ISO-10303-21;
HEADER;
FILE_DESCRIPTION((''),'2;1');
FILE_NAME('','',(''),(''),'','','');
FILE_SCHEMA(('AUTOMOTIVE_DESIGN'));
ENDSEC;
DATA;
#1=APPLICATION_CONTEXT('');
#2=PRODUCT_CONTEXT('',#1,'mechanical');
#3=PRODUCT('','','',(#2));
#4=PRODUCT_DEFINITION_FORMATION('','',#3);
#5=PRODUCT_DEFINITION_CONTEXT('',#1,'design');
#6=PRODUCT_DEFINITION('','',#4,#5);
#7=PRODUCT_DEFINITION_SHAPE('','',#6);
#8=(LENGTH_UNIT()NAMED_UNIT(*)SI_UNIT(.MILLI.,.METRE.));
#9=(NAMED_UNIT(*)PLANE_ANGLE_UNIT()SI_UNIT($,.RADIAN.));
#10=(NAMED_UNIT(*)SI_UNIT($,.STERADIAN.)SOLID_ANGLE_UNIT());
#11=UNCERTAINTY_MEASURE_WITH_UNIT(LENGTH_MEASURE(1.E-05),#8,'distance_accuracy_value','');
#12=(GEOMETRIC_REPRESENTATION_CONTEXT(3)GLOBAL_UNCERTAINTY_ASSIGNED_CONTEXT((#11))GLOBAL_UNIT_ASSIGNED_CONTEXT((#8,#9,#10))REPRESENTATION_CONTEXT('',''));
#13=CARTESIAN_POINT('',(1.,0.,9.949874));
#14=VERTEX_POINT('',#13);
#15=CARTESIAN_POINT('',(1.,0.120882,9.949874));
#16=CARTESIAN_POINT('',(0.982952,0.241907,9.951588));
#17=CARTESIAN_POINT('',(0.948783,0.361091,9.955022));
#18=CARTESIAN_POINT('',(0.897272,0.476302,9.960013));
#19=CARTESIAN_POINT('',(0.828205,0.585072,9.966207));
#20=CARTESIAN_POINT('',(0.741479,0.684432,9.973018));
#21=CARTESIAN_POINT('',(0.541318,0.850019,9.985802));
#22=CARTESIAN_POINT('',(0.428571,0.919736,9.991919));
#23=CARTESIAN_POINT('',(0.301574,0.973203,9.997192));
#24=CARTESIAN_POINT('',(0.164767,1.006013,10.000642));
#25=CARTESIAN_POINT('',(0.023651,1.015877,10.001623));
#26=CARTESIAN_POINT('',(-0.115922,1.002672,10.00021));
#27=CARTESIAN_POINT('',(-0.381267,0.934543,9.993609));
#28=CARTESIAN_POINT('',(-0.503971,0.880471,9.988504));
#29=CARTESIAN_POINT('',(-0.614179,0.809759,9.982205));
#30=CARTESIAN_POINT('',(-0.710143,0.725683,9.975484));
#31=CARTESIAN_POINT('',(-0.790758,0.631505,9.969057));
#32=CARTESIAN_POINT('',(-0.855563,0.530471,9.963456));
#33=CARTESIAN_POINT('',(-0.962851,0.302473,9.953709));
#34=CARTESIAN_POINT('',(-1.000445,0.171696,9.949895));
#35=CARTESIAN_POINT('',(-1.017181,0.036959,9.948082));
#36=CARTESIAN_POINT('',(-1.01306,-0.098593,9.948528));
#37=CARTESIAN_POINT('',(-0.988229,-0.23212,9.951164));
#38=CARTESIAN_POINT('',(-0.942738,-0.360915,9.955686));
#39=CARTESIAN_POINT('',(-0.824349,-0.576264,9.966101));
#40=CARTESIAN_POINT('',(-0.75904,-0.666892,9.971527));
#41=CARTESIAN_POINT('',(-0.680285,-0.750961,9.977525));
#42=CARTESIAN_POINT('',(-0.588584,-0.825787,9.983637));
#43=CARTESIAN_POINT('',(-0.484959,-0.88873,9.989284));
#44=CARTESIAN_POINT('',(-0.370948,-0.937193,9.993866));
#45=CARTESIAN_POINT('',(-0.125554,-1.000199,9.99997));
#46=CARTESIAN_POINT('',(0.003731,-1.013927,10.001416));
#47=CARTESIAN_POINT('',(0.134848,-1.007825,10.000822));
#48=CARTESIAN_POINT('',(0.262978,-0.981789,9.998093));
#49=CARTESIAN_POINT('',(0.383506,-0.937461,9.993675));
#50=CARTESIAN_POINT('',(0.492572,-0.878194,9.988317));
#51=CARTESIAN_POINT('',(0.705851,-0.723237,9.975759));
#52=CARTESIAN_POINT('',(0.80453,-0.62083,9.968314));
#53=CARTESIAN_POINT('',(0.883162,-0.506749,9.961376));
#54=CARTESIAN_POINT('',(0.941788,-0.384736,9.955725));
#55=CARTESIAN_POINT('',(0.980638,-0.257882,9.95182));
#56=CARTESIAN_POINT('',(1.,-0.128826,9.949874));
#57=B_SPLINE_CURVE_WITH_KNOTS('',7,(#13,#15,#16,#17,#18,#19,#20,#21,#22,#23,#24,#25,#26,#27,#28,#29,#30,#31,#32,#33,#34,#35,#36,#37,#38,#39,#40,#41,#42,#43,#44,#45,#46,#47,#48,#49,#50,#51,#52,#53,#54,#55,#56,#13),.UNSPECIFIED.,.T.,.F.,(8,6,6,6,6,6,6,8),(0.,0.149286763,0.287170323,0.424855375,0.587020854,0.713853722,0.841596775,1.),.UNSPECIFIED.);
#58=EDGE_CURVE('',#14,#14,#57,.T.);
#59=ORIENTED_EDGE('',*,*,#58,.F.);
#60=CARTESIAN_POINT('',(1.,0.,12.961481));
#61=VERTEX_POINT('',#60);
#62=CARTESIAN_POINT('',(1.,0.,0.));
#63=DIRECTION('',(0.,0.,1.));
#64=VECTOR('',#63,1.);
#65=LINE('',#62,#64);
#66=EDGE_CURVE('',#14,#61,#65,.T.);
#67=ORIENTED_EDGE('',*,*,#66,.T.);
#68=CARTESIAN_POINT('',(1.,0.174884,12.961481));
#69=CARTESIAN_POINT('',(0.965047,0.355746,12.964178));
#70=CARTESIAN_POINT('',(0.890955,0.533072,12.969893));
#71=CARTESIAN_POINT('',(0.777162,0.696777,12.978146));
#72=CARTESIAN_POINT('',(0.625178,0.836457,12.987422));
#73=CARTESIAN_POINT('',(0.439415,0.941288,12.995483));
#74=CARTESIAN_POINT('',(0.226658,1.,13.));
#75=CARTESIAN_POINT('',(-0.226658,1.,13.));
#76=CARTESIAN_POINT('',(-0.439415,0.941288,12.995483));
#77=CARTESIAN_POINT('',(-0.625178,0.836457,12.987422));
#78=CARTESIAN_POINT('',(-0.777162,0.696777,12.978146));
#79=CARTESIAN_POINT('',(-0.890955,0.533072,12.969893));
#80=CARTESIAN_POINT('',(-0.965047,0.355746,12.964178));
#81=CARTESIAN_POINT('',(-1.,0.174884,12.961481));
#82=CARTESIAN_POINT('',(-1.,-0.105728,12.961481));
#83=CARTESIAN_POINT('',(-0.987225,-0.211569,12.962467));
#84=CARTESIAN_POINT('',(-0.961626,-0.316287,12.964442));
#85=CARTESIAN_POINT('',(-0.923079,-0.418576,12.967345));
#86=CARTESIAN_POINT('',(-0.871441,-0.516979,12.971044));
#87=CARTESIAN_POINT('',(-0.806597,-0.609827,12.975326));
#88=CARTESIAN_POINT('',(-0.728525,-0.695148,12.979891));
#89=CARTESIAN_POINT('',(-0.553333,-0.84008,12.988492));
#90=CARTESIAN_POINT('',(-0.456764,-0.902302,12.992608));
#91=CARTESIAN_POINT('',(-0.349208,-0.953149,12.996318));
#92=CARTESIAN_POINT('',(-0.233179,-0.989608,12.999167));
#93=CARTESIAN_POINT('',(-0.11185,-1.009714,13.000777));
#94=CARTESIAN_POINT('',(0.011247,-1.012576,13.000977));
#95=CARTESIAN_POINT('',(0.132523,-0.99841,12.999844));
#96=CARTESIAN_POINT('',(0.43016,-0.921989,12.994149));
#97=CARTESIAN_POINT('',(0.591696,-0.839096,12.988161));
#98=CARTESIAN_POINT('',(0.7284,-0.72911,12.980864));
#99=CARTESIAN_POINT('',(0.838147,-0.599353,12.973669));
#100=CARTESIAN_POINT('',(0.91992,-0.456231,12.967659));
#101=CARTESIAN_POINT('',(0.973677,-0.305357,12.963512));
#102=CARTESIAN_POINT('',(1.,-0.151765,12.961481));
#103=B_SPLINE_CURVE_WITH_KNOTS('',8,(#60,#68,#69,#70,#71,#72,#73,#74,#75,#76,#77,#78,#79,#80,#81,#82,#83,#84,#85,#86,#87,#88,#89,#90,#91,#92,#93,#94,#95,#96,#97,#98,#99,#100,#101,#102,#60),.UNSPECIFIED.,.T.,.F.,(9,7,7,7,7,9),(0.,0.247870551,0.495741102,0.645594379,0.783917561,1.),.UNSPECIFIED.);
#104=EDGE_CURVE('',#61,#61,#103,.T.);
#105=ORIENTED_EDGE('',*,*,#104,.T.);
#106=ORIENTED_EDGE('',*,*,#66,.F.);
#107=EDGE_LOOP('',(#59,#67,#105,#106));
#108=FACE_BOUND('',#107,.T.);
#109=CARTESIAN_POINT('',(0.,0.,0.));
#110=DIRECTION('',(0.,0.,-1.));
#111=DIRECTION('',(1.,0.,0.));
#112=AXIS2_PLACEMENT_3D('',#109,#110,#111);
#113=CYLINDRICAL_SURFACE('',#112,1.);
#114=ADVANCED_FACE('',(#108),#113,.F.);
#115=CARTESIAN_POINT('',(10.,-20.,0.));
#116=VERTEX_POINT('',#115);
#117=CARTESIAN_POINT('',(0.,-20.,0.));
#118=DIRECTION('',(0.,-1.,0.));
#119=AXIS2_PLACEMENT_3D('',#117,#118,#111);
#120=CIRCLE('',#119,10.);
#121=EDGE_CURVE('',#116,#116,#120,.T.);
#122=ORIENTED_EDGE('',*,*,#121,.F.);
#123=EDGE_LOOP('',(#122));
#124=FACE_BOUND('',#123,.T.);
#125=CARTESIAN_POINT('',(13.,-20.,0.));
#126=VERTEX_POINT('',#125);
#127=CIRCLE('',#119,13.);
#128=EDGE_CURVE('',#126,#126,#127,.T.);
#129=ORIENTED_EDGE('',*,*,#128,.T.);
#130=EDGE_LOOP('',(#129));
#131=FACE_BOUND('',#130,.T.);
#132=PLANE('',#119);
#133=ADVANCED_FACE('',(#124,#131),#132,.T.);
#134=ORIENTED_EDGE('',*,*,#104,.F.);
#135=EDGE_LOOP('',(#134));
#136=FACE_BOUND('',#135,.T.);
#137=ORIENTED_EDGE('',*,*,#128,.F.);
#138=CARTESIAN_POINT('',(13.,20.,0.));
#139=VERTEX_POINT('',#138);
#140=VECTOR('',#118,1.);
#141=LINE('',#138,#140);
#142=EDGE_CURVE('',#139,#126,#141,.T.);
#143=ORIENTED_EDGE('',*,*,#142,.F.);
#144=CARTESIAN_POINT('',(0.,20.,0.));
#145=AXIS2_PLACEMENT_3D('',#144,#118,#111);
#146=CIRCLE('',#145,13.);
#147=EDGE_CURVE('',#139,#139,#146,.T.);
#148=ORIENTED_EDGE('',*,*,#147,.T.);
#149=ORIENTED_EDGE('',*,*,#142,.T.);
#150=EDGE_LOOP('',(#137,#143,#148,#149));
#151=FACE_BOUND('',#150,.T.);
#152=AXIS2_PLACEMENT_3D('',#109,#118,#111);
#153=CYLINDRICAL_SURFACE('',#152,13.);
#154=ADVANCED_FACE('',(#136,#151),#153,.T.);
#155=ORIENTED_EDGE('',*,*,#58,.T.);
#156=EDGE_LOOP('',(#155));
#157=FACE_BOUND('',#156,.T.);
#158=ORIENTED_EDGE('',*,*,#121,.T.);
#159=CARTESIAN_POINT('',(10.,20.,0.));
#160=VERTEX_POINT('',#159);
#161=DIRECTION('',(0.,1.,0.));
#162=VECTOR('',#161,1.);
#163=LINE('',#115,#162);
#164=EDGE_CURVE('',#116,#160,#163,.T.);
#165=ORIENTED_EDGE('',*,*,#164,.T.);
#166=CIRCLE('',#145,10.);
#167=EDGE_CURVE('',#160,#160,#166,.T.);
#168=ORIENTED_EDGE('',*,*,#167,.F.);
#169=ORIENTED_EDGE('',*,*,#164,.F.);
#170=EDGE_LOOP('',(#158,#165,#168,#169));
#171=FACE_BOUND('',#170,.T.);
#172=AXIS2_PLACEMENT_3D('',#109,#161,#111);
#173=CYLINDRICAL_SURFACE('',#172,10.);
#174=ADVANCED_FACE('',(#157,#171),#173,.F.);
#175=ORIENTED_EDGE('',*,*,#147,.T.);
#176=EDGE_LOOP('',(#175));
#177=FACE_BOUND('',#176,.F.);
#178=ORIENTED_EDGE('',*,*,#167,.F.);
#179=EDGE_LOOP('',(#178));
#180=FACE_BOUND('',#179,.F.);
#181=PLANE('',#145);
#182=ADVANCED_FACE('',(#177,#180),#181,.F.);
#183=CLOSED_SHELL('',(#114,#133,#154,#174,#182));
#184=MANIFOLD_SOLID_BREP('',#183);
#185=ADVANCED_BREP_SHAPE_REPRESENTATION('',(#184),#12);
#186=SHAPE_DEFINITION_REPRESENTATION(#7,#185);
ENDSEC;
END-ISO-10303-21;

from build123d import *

# Parameters (mm, degrees)
F0_R     = 13
F0_R_2   = 10
F1_DEPTH = 20
F2_R     = 1
F3_DEPTH = 13.001


with BuildPart() as f1:
    # F0 (on Front) → F1 (new body, symmetric)
    with BuildSketch(Plane.XZ):
        Circle(F0_R)
        Circle(F0_R_2, mode=Mode.SUBTRACT)
    extrude(amount=F1_DEPTH, both=True)

    # F2 (on Top) → F3 (cut, through all)
    with BuildSketch(Plane.XY):
        Circle(F2_R)
    extrude(amount=F3_DEPTH, mode=Mode.SUBTRACT)


solid = f1.part
